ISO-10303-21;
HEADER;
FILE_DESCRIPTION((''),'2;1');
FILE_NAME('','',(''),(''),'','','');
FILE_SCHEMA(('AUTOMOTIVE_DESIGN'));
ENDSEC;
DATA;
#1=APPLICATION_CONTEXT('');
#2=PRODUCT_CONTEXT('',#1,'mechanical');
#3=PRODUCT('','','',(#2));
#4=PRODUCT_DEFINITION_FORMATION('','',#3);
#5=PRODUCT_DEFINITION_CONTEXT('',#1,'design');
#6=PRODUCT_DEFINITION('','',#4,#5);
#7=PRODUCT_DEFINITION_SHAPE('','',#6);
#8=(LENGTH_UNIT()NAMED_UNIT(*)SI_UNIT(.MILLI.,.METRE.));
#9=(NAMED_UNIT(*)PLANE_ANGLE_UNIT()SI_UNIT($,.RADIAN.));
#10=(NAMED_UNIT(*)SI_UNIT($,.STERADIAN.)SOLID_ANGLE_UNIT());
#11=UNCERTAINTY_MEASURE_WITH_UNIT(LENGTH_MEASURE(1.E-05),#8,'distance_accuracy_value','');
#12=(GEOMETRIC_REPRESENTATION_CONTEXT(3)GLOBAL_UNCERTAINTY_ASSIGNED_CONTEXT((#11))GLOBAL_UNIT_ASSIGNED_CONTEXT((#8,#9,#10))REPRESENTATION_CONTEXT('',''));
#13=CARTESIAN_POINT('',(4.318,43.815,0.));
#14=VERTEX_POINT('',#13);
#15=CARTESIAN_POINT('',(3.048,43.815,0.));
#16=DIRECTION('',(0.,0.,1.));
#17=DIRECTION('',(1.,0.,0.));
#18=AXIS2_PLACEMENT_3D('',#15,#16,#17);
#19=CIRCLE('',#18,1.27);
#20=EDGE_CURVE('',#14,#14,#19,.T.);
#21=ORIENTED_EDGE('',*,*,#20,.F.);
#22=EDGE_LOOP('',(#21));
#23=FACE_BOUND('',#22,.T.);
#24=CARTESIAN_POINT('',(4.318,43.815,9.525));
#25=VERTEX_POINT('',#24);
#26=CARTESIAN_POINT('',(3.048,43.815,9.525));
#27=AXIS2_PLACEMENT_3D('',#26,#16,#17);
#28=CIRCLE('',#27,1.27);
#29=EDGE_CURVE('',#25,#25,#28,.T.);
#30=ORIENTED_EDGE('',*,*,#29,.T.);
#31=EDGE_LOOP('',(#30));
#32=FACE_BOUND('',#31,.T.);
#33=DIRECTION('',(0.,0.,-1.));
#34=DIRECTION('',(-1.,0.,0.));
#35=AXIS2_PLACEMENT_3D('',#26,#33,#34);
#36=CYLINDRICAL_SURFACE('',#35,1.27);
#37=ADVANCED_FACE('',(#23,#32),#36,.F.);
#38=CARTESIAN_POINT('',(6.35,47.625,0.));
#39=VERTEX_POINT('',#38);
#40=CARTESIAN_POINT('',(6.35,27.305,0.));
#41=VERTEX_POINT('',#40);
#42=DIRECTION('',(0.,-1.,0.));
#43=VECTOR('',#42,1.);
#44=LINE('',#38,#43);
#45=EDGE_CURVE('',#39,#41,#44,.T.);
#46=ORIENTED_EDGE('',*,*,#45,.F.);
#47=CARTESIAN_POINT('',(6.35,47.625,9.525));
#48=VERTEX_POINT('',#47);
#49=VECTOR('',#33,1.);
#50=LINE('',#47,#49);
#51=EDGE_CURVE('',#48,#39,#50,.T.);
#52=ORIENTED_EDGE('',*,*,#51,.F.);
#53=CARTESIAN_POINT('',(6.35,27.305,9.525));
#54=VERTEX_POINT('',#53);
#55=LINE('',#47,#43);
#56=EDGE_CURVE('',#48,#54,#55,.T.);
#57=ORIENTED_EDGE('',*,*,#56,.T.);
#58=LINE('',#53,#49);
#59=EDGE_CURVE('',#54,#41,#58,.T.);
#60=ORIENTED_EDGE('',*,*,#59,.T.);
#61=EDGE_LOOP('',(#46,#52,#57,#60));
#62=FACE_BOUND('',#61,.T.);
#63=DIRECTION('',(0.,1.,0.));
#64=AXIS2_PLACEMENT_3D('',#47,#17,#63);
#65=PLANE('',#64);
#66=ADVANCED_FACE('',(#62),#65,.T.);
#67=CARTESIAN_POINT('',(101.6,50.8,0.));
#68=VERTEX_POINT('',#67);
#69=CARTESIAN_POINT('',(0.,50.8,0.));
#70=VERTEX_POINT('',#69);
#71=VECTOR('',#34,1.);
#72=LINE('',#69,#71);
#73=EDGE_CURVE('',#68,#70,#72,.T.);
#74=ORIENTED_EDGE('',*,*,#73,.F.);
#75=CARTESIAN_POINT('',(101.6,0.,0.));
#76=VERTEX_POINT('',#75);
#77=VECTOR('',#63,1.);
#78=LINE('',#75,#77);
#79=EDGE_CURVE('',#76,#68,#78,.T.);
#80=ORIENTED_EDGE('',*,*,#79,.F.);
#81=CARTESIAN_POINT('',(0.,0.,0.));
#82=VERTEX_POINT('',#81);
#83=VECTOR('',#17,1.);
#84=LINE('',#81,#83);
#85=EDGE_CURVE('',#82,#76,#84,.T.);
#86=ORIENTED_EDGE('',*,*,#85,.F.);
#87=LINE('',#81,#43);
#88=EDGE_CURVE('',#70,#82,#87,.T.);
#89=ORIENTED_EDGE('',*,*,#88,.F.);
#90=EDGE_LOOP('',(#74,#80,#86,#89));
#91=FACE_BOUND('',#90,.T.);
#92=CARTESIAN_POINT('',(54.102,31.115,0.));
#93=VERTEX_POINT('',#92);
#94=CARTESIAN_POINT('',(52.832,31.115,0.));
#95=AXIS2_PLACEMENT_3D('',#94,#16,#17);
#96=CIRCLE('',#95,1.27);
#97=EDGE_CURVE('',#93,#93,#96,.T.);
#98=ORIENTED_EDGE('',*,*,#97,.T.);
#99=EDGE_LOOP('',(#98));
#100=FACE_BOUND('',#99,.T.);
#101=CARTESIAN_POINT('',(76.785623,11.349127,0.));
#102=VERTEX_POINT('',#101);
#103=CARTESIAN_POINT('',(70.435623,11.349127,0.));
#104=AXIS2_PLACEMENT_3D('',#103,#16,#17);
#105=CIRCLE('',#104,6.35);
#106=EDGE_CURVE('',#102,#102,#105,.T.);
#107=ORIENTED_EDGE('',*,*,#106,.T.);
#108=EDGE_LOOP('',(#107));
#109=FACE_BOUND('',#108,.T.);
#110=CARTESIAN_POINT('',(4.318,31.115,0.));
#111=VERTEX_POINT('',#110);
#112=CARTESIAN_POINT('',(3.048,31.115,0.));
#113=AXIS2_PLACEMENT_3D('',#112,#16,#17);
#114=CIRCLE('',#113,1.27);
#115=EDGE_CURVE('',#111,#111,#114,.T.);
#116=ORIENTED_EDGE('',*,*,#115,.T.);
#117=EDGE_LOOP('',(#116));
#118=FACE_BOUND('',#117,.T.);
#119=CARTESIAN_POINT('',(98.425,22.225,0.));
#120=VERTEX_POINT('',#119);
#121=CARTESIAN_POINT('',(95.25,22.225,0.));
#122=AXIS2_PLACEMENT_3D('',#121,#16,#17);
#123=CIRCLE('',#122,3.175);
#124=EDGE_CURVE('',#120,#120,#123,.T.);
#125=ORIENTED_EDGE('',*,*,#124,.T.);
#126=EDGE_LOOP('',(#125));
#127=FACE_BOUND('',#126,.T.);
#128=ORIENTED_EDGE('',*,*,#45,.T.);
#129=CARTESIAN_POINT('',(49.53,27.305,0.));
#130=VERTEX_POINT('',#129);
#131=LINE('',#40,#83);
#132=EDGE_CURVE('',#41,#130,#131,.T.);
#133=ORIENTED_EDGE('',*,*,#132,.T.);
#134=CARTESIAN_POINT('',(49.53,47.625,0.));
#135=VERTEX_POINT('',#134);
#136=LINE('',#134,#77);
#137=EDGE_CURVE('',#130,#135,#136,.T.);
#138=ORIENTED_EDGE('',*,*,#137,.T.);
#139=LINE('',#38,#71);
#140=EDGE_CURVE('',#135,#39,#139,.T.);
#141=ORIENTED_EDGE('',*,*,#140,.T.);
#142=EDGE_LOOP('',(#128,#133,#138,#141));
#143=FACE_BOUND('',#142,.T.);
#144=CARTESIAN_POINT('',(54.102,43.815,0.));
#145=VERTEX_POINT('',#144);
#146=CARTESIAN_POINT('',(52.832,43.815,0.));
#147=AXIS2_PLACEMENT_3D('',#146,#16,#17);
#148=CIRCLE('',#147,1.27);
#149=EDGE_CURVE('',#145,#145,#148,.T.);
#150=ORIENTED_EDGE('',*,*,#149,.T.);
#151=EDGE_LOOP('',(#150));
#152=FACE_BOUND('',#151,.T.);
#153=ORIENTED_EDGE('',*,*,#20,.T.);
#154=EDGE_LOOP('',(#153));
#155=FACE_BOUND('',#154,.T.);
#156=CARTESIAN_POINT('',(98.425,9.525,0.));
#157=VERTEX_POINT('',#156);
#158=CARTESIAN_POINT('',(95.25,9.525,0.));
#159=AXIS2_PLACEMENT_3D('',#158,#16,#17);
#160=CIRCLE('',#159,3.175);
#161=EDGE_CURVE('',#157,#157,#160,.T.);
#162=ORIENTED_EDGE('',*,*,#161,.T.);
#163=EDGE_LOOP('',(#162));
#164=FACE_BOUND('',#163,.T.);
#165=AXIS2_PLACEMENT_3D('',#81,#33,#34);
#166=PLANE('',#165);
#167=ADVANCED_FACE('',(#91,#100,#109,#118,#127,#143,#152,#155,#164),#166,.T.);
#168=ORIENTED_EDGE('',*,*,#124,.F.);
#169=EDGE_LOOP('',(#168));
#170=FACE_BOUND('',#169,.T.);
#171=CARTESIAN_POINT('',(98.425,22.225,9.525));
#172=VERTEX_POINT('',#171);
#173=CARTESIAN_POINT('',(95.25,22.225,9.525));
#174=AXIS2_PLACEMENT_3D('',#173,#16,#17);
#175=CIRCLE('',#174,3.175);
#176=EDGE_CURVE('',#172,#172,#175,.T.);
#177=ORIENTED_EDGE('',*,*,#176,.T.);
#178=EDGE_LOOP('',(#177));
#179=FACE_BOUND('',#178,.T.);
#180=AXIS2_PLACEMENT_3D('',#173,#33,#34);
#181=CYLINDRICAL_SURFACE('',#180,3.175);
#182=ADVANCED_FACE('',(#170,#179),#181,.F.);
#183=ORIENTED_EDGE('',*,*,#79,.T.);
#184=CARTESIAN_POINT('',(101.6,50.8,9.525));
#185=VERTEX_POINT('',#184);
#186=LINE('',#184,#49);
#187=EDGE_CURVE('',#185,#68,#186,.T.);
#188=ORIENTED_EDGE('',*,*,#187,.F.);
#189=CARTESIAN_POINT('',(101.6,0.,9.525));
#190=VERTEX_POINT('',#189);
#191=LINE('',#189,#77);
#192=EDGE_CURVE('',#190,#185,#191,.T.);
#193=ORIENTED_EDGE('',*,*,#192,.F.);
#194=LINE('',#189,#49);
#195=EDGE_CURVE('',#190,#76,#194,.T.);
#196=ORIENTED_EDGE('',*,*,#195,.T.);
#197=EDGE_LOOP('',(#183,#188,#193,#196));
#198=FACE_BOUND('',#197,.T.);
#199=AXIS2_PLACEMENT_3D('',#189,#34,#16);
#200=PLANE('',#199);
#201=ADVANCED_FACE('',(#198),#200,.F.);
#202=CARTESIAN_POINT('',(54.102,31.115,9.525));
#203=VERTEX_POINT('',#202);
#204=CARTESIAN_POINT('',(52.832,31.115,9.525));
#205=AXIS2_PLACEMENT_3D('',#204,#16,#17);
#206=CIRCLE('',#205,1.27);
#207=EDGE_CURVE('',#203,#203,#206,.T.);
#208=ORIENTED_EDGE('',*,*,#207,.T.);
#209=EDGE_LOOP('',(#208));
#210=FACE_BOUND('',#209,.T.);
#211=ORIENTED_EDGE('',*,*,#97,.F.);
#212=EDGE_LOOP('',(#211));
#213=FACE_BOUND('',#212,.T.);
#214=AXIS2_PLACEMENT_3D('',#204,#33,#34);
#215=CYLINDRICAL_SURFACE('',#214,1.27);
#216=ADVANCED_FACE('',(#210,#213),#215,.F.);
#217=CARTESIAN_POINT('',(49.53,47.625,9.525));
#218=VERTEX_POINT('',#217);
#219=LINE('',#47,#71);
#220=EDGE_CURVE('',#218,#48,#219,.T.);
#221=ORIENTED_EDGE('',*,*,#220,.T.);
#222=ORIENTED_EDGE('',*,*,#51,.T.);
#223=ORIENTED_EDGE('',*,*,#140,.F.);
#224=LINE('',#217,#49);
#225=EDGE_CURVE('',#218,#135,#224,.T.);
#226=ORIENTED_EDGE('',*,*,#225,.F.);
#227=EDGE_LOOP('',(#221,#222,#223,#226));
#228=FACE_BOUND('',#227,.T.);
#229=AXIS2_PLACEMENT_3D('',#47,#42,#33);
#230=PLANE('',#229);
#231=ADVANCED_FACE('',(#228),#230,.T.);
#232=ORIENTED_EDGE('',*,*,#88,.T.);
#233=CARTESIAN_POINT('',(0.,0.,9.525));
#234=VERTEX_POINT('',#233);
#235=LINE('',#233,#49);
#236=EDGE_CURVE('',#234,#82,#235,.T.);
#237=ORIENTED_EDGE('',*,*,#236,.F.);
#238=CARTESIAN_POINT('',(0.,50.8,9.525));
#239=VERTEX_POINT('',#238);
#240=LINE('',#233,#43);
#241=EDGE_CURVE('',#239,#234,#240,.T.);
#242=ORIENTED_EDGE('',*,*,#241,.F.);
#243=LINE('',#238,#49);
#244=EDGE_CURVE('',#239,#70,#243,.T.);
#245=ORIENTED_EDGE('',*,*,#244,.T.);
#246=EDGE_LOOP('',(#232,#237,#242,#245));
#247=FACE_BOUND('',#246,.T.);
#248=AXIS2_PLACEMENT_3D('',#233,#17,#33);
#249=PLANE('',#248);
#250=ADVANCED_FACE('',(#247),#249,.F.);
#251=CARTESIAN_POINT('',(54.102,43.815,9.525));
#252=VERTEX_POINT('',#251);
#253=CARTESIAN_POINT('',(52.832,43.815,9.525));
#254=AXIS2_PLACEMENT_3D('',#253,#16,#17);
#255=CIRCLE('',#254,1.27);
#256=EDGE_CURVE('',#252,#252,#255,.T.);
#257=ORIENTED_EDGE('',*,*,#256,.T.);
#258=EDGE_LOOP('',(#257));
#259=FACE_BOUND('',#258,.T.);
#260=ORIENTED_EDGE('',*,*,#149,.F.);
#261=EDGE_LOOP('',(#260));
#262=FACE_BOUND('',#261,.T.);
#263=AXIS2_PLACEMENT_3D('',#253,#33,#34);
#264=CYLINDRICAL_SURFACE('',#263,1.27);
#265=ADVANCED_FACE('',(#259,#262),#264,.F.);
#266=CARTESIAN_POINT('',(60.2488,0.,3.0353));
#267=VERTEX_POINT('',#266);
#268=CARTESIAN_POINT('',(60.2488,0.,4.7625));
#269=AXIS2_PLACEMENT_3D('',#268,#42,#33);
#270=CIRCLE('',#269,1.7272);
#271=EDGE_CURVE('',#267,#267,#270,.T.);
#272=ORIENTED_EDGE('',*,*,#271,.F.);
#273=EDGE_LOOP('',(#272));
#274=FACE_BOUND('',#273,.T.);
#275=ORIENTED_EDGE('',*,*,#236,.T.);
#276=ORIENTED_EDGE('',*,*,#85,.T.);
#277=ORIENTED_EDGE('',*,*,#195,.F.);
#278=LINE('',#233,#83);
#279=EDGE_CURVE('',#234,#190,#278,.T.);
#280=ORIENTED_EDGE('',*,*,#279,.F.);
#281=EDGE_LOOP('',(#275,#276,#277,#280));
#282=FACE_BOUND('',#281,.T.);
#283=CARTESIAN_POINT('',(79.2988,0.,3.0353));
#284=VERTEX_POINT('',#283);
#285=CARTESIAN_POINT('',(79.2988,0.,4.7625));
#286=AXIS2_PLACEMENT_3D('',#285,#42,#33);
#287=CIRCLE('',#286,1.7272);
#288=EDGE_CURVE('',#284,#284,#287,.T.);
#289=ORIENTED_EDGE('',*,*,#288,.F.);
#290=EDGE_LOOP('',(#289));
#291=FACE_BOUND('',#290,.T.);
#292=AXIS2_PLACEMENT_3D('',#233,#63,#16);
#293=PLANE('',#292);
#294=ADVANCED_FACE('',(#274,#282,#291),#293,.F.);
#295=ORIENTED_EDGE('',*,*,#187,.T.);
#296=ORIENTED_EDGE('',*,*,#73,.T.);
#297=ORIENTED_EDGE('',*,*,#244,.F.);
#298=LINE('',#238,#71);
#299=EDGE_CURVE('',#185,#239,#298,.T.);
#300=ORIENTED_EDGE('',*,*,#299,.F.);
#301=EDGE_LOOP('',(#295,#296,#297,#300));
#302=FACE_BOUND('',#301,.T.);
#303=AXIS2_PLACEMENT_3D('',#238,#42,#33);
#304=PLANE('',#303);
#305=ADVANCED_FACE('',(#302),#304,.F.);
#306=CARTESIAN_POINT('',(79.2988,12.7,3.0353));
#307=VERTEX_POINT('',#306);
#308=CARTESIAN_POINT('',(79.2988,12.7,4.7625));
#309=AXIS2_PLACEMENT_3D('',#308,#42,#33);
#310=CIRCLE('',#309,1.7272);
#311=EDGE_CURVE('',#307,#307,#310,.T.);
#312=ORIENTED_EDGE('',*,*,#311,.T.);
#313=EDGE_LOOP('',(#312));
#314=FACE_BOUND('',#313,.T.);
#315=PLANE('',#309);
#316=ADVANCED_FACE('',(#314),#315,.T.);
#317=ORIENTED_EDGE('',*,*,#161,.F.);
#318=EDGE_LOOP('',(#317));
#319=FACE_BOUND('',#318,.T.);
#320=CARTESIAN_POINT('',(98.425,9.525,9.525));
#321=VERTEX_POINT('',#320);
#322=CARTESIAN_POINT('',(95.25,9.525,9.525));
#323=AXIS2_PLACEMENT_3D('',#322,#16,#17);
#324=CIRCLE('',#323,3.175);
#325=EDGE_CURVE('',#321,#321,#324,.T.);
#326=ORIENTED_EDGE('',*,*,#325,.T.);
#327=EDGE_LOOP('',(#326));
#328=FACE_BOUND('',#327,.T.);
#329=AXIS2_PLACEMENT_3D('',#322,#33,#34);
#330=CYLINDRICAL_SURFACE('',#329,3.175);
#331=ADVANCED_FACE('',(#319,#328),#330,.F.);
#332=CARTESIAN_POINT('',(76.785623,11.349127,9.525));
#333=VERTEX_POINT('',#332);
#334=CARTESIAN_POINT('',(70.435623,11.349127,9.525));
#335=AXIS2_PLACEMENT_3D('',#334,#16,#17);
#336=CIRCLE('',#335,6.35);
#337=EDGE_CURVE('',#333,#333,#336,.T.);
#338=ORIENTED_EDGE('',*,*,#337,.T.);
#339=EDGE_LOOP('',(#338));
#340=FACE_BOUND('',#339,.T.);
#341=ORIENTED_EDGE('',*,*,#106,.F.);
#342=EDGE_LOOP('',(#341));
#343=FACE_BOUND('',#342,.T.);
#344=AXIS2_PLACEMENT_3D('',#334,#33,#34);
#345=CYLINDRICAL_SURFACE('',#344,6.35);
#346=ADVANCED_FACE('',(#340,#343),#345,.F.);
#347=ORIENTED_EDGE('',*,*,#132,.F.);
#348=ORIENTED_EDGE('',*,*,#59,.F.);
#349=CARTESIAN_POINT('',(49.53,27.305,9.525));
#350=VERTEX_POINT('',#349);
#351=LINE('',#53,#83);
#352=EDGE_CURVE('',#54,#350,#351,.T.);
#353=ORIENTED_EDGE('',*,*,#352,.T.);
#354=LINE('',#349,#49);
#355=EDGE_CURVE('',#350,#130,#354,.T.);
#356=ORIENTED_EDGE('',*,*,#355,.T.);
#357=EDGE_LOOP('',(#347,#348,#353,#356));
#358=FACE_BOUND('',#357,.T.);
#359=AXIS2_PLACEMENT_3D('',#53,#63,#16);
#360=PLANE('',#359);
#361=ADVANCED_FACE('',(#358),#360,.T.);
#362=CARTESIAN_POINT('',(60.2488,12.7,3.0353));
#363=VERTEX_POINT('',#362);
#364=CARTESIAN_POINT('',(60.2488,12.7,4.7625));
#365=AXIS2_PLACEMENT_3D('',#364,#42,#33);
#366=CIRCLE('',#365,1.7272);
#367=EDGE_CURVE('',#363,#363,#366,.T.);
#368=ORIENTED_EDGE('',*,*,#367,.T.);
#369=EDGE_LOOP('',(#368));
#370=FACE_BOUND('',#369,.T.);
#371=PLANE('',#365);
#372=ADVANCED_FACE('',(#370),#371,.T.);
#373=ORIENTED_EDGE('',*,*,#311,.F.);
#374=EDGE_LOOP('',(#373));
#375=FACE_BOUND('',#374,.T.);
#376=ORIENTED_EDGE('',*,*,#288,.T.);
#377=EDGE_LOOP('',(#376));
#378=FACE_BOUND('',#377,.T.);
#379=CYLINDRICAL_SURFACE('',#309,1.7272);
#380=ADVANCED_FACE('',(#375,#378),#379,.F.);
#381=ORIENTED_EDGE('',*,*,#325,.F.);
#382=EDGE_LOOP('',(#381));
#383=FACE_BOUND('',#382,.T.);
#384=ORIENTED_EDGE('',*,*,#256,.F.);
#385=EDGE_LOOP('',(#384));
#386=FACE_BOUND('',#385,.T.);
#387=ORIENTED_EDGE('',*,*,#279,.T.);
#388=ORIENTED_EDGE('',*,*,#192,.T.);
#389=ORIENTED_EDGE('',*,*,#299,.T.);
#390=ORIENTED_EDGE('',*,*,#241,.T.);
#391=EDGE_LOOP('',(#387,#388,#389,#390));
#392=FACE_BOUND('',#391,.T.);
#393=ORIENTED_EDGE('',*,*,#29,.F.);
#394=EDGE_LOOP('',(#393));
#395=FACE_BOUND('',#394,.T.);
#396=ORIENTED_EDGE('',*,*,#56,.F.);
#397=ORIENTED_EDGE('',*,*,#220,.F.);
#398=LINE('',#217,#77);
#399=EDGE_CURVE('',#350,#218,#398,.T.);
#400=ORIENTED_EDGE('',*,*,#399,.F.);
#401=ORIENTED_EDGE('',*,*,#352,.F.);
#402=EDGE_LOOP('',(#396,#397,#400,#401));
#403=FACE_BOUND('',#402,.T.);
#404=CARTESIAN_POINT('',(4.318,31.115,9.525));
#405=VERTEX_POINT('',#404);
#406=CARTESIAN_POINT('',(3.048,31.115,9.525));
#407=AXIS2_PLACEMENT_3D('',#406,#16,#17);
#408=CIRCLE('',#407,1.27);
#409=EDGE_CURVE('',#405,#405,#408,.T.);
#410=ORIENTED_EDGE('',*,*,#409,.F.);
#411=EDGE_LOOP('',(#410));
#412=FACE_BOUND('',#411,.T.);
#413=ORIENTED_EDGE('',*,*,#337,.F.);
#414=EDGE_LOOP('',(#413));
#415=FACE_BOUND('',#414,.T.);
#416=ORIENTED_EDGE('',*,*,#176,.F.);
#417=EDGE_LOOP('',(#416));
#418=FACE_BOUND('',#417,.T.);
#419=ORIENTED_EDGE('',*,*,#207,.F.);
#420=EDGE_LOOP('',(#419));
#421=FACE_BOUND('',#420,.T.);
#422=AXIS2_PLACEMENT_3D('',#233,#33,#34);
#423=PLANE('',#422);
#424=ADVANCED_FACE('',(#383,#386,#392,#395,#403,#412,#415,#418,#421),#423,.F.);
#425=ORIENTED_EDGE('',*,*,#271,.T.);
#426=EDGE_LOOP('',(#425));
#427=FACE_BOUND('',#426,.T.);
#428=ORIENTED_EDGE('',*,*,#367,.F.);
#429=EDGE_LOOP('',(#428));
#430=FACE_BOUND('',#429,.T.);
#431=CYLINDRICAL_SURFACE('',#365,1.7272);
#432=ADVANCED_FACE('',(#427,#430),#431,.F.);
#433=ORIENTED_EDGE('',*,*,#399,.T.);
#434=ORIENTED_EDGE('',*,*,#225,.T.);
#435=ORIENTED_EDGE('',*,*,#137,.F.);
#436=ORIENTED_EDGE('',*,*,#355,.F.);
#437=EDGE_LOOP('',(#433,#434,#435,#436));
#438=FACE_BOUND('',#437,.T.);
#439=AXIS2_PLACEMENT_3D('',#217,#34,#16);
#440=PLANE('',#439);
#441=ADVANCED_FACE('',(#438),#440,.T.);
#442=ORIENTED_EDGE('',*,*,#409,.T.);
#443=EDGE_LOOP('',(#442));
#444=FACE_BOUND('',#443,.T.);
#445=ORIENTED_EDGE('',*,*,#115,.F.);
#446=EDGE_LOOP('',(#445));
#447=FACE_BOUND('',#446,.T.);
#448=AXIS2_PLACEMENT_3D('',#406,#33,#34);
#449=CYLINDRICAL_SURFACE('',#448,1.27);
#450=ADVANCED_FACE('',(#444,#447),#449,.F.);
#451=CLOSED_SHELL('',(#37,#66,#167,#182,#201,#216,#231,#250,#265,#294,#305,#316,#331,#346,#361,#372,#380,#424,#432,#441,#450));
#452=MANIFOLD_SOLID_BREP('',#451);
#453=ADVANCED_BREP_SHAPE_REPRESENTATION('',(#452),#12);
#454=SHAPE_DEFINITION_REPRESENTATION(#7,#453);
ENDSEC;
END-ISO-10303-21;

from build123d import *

# Parameters (mm, degrees)
SKETCH1_W           = 101.6
SKETCH1_H           = 50.8
SKETCH1_R           = 3.175
SKETCH1_R_2         = 1.27
SKETCH1_R_3         = 6.35
SKETCH1_W_2         = 43.18
SKETCH1_H_2         = 20.32
BOSS_EXTRUDE1_DEPTH = 9.525
SKETCH2_R           = 1.7272
CUT_EXTRUDE1_DEPTH  = 12.7


with BuildPart() as part:
    # Sketch1 → Boss-Extrude1 (new body)
    with BuildSketch(Plane.XY):
        with Locations((50.8, 25.4)):
            Rectangle(SKETCH1_W, SKETCH1_H)
        with Locations((95.25, 22.225)):
            Circle(SKETCH1_R, mode=Mode.SUBTRACT)
        with Locations((95.25, 9.525)):
            Circle(SKETCH1_R, mode=Mode.SUBTRACT)
        with Locations((3.048, 43.815)):
            Circle(SKETCH1_R_2, mode=Mode.SUBTRACT)
        with Locations((3.048, 31.115)):
            Circle(SKETCH1_R_2, mode=Mode.SUBTRACT)
        with Locations((52.832, 43.815)):
            Circle(SKETCH1_R_2, mode=Mode.SUBTRACT)
        with Locations((52.832, 31.115)):
            Circle(SKETCH1_R_2, mode=Mode.SUBTRACT)
        with Locations((70.435623446, 11.349127288)):
            Circle(SKETCH1_R_3, mode=Mode.SUBTRACT)
        with Locations((27.94, 37.465)):
            Rectangle(SKETCH1_W_2, SKETCH1_H_2, mode=Mode.SUBTRACT)
    extrude(amount=BOSS_EXTRUDE1_DEPTH)

    # Sketch2 → Cut-Extrude1 (cut)
    with BuildSketch(Plane.XZ):
        with Locations((60.2488, 4.7625)):
            Circle(SKETCH2_R)
        with Locations((79.2988, 4.7625)):
            Circle(SKETCH2_R)
    extrude(amount=-CUT_EXTRUDE1_DEPTH, mode=Mode.SUBTRACT)


solid = part.part
